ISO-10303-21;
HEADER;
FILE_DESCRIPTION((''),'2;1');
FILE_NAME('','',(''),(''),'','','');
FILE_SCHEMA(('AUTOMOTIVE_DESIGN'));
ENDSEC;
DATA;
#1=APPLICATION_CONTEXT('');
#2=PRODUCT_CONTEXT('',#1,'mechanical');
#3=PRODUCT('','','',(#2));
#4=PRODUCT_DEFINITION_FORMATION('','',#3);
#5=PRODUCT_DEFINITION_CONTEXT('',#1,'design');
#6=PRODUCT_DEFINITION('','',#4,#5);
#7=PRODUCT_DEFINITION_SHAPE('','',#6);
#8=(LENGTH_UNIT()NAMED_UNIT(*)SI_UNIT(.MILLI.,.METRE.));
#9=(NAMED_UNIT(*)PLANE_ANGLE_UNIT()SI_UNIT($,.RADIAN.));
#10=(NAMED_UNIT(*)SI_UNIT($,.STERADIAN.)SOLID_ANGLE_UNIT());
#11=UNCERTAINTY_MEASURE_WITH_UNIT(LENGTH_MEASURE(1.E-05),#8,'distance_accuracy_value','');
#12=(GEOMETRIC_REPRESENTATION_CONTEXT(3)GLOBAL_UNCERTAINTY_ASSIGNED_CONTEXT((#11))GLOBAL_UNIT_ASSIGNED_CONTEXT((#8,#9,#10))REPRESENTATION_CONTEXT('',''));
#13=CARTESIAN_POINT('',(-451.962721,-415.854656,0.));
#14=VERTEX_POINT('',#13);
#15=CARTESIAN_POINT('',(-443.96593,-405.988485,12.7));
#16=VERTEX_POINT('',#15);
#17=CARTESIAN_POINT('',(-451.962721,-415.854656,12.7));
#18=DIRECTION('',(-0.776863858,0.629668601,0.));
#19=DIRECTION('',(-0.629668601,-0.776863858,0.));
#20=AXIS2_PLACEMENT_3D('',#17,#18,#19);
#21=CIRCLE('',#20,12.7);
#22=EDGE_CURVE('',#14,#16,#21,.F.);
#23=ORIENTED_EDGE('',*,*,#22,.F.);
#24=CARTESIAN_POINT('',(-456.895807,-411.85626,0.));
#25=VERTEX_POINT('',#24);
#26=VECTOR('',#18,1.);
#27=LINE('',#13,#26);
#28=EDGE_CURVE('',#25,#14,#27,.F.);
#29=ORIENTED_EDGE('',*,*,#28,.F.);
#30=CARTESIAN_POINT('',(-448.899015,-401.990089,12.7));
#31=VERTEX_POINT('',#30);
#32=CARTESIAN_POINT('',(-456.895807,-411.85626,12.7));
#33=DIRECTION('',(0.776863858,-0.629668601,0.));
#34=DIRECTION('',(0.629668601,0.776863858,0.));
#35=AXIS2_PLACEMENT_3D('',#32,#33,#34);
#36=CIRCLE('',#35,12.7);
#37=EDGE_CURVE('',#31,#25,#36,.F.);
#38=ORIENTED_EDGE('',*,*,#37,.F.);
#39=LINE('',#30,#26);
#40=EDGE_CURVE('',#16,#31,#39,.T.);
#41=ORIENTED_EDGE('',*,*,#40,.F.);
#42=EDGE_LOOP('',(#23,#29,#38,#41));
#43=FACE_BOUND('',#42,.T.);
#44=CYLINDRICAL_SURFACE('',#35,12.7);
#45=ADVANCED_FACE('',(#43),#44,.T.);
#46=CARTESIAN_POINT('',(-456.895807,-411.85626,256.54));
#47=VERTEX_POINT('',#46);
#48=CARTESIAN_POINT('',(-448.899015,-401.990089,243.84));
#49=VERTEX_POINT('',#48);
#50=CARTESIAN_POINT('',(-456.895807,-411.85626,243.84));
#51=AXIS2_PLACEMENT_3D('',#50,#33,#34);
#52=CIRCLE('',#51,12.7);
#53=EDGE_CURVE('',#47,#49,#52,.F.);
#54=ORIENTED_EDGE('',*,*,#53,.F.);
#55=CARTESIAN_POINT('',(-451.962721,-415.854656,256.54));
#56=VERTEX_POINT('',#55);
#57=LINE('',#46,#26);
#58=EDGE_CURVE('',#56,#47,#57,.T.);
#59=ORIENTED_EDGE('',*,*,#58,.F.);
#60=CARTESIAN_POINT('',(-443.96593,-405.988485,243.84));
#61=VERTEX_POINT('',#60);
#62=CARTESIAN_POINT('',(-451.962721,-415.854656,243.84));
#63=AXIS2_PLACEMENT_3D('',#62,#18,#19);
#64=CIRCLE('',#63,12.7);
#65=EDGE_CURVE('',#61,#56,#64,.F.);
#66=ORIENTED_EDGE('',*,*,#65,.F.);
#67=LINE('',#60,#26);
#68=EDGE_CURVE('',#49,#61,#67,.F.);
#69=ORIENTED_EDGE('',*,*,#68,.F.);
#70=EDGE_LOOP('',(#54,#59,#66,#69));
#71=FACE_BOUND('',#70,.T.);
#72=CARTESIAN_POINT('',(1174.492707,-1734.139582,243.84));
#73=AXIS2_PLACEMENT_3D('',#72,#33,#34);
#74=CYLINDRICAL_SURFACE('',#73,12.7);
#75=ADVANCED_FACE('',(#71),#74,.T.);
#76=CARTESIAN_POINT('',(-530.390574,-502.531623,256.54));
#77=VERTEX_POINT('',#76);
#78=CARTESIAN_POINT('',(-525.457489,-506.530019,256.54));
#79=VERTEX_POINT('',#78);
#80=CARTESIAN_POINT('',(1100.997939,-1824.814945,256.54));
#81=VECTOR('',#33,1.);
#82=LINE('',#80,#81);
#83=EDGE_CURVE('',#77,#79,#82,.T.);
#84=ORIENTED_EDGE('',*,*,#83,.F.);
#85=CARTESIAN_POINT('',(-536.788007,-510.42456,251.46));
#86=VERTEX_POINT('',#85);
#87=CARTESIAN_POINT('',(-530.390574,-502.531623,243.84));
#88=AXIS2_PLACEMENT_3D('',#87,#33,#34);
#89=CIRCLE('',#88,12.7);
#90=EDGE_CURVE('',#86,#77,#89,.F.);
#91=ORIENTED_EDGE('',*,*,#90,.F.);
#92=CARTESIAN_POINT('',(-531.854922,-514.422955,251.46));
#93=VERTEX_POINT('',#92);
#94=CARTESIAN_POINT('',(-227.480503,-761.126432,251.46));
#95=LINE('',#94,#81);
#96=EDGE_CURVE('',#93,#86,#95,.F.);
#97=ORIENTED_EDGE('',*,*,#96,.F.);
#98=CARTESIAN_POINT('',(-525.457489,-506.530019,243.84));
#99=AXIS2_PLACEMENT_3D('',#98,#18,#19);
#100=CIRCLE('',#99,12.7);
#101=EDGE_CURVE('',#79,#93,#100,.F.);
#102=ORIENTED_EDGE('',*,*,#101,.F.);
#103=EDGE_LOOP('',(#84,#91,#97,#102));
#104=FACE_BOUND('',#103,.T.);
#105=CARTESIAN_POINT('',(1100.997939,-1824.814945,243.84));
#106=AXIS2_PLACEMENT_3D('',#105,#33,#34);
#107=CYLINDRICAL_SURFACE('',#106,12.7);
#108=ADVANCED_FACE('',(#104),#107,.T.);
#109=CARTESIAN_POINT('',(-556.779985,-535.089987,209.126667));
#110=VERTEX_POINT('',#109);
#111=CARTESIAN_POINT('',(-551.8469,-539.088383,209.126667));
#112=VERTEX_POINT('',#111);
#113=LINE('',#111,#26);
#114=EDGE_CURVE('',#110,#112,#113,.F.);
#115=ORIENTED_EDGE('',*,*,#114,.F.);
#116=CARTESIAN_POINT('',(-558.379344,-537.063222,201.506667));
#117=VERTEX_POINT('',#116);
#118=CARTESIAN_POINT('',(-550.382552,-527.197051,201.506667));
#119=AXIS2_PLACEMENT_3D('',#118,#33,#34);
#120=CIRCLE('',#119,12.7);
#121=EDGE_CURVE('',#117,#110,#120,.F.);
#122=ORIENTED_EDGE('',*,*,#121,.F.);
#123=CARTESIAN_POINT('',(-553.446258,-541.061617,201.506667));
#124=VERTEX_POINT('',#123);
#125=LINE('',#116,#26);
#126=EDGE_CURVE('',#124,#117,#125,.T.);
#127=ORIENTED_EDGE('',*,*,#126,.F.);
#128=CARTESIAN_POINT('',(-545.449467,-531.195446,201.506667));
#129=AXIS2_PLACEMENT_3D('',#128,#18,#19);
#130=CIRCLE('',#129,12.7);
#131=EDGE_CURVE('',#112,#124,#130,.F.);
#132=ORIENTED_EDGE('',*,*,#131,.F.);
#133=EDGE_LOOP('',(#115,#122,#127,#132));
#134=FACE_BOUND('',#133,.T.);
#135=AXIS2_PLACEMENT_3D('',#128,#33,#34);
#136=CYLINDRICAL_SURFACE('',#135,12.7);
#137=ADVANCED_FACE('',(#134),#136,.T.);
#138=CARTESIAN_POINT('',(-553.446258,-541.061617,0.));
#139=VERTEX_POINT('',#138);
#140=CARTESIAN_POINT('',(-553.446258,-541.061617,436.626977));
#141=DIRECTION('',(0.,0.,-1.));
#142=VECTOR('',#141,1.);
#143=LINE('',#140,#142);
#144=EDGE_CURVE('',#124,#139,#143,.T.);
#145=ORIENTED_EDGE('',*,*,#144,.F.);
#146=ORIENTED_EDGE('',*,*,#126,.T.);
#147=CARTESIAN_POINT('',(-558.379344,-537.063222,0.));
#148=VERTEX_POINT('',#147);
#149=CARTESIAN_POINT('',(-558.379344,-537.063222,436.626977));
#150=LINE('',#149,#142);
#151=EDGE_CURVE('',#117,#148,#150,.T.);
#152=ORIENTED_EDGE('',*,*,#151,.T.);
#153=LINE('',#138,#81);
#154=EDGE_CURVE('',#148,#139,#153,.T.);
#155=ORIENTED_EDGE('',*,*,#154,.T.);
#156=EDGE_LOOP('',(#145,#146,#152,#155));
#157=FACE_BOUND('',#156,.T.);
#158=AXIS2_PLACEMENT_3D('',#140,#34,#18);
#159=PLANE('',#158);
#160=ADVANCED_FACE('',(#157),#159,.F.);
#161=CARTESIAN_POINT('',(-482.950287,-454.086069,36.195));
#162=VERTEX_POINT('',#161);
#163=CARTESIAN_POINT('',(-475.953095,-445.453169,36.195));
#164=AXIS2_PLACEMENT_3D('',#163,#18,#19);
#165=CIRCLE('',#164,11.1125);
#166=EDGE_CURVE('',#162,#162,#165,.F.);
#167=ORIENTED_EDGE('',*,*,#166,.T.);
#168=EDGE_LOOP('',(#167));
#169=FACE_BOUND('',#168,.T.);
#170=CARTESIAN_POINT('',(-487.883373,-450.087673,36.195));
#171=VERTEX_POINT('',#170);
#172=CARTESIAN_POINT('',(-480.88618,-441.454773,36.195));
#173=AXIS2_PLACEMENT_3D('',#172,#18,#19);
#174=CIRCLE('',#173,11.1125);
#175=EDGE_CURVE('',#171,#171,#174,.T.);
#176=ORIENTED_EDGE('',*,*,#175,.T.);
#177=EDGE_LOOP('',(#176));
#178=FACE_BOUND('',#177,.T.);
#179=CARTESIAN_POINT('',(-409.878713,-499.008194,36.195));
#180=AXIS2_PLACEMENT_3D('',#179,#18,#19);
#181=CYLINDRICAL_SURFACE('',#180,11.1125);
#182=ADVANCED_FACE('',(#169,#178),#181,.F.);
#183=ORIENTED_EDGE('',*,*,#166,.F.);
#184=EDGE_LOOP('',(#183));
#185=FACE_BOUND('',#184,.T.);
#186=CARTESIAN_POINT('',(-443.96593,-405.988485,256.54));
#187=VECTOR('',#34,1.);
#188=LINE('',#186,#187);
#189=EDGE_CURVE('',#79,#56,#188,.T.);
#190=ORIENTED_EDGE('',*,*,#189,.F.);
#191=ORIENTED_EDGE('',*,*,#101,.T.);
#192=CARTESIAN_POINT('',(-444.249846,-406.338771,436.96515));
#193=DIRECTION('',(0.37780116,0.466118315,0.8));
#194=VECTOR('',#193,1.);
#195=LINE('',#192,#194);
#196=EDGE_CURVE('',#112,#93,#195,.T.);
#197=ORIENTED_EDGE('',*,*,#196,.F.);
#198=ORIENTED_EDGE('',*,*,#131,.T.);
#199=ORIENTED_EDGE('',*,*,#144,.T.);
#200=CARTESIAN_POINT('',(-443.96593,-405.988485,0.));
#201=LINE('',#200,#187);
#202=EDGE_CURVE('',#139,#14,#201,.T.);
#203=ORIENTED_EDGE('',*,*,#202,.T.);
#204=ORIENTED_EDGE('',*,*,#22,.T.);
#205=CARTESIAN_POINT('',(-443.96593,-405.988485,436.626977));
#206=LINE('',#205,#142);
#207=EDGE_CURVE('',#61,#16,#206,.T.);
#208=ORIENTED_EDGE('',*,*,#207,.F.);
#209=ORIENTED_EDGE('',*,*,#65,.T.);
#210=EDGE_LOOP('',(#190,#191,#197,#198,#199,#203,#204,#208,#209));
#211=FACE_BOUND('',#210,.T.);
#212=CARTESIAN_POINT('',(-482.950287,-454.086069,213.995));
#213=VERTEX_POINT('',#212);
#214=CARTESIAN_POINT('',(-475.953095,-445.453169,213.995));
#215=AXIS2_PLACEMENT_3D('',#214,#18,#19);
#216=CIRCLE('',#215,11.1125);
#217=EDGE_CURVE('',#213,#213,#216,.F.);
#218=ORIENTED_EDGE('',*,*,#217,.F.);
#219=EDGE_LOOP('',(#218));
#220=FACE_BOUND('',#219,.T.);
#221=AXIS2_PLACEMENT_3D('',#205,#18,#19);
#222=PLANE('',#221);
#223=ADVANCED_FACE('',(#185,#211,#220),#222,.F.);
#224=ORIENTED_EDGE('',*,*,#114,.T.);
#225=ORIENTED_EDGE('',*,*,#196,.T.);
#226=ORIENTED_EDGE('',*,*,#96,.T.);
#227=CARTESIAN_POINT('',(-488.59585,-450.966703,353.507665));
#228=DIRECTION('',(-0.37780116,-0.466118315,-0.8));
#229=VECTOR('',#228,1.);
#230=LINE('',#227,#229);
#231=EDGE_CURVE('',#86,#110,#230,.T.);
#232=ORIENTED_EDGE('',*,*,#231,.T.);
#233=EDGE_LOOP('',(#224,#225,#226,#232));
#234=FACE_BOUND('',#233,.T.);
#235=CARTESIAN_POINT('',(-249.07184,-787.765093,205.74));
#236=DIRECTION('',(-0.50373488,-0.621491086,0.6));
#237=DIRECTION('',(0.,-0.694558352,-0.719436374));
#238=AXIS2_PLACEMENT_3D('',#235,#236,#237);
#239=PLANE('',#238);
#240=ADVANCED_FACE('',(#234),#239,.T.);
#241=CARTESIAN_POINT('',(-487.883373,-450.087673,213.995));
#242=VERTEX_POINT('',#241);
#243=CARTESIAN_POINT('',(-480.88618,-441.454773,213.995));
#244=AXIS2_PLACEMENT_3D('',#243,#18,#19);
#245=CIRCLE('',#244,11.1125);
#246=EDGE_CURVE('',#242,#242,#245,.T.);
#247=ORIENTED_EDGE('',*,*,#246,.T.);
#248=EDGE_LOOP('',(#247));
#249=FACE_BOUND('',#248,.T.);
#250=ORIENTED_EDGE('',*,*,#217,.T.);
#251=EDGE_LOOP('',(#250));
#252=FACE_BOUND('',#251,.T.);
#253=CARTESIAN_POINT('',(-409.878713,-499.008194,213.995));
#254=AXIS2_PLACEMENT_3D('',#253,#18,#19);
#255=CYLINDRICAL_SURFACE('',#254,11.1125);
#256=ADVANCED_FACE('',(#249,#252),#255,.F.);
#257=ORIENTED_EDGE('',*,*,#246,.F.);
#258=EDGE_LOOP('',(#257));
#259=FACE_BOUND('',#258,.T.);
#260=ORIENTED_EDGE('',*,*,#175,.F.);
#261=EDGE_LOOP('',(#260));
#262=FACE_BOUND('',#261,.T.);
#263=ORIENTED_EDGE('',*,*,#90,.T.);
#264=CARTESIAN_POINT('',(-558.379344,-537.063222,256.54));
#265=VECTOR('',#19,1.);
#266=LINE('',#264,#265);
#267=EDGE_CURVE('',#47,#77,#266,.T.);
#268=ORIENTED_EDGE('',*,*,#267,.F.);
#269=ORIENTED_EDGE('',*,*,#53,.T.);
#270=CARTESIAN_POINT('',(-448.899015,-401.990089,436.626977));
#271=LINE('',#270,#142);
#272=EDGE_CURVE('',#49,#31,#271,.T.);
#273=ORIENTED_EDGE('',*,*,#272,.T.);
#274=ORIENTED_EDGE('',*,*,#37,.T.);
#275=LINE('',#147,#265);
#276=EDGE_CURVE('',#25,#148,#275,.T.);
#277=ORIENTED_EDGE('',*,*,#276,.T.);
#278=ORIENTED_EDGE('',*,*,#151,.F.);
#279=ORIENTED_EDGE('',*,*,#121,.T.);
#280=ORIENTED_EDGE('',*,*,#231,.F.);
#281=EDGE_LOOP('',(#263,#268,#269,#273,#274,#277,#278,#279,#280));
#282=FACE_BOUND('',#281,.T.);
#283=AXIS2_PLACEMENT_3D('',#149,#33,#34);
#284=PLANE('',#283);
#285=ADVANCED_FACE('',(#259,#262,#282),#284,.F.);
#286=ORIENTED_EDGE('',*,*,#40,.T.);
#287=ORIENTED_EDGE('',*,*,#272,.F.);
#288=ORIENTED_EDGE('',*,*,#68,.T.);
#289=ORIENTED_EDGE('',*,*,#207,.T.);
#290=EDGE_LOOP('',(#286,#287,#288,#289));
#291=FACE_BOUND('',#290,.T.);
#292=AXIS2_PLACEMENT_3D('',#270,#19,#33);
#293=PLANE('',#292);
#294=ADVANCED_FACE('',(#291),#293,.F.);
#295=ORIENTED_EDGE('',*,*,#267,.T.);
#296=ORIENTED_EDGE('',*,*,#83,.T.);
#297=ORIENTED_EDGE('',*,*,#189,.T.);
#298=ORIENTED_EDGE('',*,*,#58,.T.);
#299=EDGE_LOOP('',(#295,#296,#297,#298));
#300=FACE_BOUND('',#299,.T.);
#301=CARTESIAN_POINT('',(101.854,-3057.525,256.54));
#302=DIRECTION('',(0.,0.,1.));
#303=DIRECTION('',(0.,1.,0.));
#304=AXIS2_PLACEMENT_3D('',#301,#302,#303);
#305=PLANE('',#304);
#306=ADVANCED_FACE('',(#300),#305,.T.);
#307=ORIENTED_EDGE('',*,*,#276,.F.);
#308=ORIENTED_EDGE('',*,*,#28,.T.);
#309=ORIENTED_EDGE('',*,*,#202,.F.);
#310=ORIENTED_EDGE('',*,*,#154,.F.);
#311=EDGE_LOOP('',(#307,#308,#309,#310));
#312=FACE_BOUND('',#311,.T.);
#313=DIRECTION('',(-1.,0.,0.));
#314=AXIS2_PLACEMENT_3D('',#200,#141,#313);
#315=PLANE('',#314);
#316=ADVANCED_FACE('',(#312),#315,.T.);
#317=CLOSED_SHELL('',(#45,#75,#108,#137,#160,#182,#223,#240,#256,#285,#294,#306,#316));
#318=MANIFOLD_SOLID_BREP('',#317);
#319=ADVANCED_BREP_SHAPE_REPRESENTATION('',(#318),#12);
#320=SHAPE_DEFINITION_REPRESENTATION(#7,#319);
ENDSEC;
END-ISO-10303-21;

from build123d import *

# Parameters (mm, degrees)
BOSS_EXTRUDE1_DEPTH     = 256.54
CUT_EXTRUDE1_REACH      = 815.442
SKETCH2_R               = 11.1125
CUT_EXTRUDE2_DEPTH      = 814.446927228
CUT_EXTRUDE2_DEPTH_BACK = 814.446927228
FILLET1_R               = 12.7


with BuildPart() as part:
    # Sketch1 → Boss-Extrude1 (new body)
    with BuildSketch(Plane.XY):
        Polygon((-443.965929871, -405.988484906), (-553.446258124, -541.061617166), (-558.379343621, -537.063221553), (-448.899015368, -401.990089292), align=None)
    extrude(amount=BOSS_EXTRUDE1_DEPTH)

    # Sketch2 → Cut-Extrude1 (cut, up to next)
    with BuildSketch(Plane(origin=(-74.278193829, 60.204430788, 0), x_dir=(0, 0, 1), z_dir=(-0.7768638577795597, 0.6296686005160651, 0)), mode=Mode.PRIVATE) as cut_extrude1_sk1:
        with Locations(Location((213.995, -645.749186336, 0), (0, 0, 270))):
            Circle(SKETCH2_R)
    cut_extrude1_tool1 = extrude(cut_extrude1_sk1.sketch, amount=-CUT_EXTRUDE1_REACH, mode=Mode.PRIVATE) & part.part
    # Sketch2 → Cut-Extrude1 (cut, up to next)
    with BuildSketch(Plane(origin=(-74.278193829, 60.204430788, 0), x_dir=(0, 0, 1), z_dir=(-0.7768638577795597, 0.6296686005160651, 0)), mode=Mode.PRIVATE) as cut_extrude1_sk2:
        with Locations(Location((36.195, -645.749186336, 0), (0, 0, 270))):
            Circle(SKETCH2_R)
    cut_extrude1_tool2 = extrude(cut_extrude1_sk2.sketch, amount=-CUT_EXTRUDE1_REACH, mode=Mode.PRIVATE) & part.part
    add(cut_extrude1_tool1.solids().sort_by_distance((-480.88618, -441.454773, 213.995))[0], mode=Mode.SUBTRACT)
    add(cut_extrude1_tool2.solids().sort_by_distance((-480.88618, -441.454773, 36.195))[0], mode=Mode.SUBTRACT)

    # Sketch3 → Cut-Extrude2 (cut, two sides: drawn at the far end of the back side and taken through both)
    with BuildSketch(Plane(origin=(-69.345108332, 56.206035175, 0), x_dir=(0, 0, -1), z_dir=(0.7768638577795598, -0.6296686005160651, 0)).offset(-CUT_EXTRUDE2_DEPTH_BACK)):
        Polygon((269.008566256, -1124.880370714), (-205.74, -768.818946022), (-256.54, -730.718946022), (-731.288566256, -374.65752133), (-1443.411415639, -1324.154653842), (-443.114283128, -2074.377503225), align=None)
    extrude(amount=CUT_EXTRUDE2_DEPTH + CUT_EXTRUDE2_DEPTH_BACK, mode=Mode.SUBTRACT)

    # Fillet1
    fillet1_edges = [part.edges().sort_by_distance(p)[0] for p in [
        (-531.922427193, -509.463906378, 256.54),
        (-446.432472619, -403.989287099, 256.54),
        (-555.912800873, -539.062419359, 205.74),
        (-446.432472619, -403.989287099, 0),
    ]]
    fillet(fillet1_edges, radius=FILLET1_R)


solid = part.part
